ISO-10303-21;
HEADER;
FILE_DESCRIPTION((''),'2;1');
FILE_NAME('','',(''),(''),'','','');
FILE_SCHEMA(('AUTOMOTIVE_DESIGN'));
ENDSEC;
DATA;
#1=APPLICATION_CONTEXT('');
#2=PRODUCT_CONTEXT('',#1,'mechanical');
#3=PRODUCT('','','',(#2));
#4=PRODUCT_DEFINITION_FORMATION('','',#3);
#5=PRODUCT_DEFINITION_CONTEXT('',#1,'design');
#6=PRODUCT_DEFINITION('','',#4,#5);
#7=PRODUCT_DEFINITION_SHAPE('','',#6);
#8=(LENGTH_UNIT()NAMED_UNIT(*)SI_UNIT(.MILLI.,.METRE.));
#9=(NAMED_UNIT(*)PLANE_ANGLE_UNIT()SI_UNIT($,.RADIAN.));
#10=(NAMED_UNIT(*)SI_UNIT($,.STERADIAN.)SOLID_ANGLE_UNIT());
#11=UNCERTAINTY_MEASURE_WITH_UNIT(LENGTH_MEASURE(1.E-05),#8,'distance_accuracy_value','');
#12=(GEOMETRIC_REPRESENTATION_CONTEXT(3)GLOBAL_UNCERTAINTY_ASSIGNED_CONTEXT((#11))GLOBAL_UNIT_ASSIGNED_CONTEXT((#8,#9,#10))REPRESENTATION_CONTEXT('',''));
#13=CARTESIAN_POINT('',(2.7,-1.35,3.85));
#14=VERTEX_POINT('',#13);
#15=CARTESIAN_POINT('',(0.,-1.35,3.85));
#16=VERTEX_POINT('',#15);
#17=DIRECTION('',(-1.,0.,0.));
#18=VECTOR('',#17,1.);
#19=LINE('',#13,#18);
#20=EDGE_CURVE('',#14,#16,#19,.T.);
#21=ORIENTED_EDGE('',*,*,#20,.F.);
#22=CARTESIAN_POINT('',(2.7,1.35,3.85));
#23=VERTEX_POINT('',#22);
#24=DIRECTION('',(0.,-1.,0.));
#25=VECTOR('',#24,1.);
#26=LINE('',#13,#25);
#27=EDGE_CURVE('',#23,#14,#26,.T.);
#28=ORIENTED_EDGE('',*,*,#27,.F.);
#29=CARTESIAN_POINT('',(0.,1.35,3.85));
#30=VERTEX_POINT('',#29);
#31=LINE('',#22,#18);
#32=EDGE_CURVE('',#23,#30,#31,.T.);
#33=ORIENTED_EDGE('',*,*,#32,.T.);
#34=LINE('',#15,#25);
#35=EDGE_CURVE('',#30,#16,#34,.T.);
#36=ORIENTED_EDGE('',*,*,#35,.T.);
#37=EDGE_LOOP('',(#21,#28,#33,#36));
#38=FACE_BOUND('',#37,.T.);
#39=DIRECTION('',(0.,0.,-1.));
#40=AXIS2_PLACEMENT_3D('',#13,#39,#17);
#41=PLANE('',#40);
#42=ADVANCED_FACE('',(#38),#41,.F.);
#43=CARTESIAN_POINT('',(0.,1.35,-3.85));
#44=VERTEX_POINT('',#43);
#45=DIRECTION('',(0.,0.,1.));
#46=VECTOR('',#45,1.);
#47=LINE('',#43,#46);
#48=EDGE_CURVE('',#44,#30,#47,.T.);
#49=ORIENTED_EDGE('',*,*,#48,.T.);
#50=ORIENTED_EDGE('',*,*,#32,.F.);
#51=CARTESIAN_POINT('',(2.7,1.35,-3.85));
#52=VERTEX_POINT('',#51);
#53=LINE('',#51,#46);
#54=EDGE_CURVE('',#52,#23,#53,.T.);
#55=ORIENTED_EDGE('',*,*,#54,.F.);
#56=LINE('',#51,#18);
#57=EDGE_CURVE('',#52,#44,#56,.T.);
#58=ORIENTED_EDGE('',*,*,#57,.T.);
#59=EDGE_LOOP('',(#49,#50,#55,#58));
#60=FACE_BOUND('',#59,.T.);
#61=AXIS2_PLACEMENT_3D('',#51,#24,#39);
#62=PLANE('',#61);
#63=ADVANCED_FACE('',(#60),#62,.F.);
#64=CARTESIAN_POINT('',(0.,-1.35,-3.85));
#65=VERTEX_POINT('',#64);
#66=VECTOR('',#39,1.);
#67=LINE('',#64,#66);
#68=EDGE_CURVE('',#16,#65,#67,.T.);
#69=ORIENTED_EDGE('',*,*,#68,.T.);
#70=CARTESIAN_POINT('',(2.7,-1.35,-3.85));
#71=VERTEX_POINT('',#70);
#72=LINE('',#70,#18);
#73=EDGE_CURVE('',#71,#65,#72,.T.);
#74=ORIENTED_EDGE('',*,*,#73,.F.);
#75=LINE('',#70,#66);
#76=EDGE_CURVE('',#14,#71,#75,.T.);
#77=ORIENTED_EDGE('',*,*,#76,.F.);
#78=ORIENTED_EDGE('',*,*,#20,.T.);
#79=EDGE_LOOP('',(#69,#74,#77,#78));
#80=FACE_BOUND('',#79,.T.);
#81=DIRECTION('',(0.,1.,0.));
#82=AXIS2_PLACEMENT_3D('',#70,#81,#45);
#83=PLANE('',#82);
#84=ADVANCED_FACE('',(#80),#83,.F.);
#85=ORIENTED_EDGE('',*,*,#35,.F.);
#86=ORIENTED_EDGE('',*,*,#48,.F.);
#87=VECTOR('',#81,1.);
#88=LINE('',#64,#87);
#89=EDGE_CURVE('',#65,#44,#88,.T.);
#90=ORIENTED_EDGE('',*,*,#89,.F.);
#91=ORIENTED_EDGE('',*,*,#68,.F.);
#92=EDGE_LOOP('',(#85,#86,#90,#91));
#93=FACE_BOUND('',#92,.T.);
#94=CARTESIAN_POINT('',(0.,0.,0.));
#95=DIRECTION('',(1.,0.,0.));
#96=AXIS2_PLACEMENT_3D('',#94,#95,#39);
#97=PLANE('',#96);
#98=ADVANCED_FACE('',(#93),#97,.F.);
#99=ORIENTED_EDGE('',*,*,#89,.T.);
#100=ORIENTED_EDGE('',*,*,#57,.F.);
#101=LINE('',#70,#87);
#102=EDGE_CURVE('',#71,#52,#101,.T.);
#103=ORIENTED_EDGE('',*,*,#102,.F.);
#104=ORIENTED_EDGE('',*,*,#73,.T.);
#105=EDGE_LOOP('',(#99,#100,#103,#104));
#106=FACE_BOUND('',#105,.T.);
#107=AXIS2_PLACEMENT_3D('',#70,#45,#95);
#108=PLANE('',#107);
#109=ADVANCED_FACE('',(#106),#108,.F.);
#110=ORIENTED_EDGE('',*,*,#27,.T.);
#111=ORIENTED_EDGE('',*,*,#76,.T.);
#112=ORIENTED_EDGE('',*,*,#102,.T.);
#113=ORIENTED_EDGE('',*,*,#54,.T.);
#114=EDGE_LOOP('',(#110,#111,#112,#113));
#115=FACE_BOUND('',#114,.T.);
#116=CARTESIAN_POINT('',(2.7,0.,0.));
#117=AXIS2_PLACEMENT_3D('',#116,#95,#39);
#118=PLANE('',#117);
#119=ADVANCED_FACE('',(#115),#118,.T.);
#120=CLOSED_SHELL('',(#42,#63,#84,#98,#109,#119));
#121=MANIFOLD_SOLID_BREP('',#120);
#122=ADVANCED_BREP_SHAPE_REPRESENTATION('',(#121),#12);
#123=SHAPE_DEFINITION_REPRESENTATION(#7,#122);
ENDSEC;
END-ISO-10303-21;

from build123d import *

# Parameters (mm, degrees)
SKETCH2_W           = 7.7
SKETCH2_H           = 2.7
BOSS_EXTRUDE3_DEPTH = 2.7


with BuildPart() as part:
    # Sketch2 → Boss-Extrude3 (new body)
    with BuildSketch(Plane(origin=(0, 0, 0), x_dir=(0, 0, -1), z_dir=(1, 0, 0))):
        Rectangle(SKETCH2_W, SKETCH2_H)
    extrude(amount=BOSS_EXTRUDE3_DEPTH)


solid = part.part
